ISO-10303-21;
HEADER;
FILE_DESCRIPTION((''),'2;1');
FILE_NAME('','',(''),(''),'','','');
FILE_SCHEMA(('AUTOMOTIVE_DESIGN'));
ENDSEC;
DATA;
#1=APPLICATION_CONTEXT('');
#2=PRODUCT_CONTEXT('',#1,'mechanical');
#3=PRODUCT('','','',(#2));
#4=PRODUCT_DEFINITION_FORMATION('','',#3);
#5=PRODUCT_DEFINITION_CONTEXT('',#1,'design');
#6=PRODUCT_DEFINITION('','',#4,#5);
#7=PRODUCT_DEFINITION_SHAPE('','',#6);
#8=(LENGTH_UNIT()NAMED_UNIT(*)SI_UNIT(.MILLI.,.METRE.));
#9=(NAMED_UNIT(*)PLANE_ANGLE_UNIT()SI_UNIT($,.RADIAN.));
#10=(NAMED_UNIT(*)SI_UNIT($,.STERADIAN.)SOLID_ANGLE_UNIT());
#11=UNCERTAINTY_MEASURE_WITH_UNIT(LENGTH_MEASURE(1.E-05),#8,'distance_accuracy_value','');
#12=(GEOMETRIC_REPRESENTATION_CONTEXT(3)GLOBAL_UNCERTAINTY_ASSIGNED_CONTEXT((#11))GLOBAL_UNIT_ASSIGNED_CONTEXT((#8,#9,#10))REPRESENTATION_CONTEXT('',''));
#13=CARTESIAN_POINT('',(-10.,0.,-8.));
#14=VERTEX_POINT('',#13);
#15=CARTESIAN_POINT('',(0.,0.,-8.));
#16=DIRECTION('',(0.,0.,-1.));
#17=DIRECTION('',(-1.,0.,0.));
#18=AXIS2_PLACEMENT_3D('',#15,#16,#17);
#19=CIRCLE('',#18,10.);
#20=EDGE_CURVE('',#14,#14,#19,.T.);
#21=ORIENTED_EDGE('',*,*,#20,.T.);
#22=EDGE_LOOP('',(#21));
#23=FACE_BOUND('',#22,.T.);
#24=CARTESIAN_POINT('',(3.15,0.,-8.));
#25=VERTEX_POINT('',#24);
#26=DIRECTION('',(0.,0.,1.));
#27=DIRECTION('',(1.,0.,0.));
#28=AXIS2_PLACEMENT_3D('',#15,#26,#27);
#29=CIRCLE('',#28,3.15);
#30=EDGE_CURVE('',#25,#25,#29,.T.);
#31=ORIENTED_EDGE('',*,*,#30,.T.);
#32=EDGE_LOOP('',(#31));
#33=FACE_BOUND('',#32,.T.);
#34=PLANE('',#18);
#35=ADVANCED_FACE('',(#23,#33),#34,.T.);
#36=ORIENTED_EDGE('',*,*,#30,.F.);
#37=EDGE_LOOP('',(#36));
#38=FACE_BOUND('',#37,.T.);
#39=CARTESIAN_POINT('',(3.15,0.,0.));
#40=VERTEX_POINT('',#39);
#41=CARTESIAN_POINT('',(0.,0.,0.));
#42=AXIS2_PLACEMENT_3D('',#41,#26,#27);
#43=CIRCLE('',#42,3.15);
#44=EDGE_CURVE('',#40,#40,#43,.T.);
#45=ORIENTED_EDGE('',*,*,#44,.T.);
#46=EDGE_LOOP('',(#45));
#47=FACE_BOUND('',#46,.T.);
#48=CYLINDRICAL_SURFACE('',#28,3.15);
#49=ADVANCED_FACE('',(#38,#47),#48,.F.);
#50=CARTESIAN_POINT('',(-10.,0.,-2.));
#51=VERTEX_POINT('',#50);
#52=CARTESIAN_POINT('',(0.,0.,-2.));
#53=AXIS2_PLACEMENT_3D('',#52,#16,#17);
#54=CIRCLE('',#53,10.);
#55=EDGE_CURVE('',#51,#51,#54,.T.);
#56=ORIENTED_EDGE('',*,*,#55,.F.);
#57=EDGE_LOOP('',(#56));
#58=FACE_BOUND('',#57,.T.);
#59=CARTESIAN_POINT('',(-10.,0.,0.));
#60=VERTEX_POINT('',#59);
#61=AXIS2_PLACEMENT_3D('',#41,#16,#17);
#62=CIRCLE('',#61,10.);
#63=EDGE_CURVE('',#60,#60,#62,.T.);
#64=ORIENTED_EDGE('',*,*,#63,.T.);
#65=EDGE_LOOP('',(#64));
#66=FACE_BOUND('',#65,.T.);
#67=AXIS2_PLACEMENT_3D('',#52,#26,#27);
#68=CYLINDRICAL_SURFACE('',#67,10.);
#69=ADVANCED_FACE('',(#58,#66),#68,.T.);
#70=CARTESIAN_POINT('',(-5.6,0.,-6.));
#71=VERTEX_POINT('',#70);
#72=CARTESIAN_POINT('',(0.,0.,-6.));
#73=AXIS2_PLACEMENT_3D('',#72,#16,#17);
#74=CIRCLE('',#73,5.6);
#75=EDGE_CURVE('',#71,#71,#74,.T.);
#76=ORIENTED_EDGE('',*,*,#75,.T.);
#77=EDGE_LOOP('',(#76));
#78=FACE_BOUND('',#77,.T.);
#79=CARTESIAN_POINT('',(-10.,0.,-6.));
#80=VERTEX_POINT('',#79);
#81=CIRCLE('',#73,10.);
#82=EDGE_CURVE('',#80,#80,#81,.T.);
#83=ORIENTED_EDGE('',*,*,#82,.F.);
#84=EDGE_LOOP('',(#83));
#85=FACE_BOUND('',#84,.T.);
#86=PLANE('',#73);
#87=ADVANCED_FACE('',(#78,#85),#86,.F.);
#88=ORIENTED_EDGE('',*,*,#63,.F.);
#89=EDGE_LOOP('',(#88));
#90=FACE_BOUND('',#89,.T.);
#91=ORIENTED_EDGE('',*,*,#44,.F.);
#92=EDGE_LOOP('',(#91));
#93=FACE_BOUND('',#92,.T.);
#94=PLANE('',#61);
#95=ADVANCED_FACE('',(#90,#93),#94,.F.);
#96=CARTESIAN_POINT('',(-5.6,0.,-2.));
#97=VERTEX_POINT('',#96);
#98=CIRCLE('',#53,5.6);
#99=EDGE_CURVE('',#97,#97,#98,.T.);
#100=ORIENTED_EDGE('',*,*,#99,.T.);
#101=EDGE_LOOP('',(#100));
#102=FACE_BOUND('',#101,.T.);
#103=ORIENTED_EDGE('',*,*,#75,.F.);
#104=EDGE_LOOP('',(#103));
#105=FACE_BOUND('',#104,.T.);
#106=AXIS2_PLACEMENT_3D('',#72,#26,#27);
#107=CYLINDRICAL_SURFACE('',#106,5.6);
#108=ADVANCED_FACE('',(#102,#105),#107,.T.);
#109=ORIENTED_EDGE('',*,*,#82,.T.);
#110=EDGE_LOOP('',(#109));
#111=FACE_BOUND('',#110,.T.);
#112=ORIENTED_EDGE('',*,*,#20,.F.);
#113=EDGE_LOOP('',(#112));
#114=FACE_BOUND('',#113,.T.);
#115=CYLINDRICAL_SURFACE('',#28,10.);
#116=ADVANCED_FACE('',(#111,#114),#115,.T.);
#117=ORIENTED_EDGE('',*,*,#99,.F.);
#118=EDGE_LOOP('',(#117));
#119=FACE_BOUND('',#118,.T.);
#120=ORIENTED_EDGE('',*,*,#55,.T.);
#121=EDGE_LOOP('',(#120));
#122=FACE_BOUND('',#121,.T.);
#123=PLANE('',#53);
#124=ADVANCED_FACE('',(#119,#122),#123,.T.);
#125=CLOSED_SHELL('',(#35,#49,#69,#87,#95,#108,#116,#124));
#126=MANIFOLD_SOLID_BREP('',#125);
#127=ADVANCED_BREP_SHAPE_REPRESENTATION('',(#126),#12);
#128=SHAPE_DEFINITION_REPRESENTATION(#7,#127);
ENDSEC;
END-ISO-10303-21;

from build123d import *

# Parameters (mm, degrees)
BOSS_EXTRUDE1_DEPTH = 7
SKETCH2_R           = 1.35
CUT_EXTRUDE1_DEPTH  = 1.7
SKETCH3_R           = 10
BOSS_EXTRUDE2_DEPTH = 2
SKETCH4_R           = 5.6
BOSS_EXTRUDE3_DEPTH = 4
SKETCH5_R           = 10
BOSS_EXTRUDE4_DEPTH = 2
SKETCH6_R           = 3.15
CUT_EXTRUDE2_DEPTH  = 17.248076809
SKETCH7_R           = 17.649258726
CUT_EXTRUDE3_DEPTH  = 7


with BuildPart() as part:
    # Sketch1 → Boss-Extrude1 (new body)
    with BuildSketch(Plane.XY):
        with BuildLine():
            Line((-5, 0), (-5, -8))
            Line((-5, -8), (5, -8))
            Line((5, -8), (5, 0))
            ThreePointArc((5, 0), (0, 5), (-5, 0))
        make_face()
        with BuildLine():
            Line((-3.5, -6.3), (-3.5, -2.3))
            Line((-3.5, -2.3), (-1.926136028, -2.3))
            ThreePointArc((-1.926136028, -2.3), (-1.269171366, 2.718309041), (3, 0))
            ThreePointArc((3, 0), (2.718309041, -1.269171366), (1.926136028, -2.3))
            Line((1.926136028, -2.3), (3.5, -2.3))
            Line((3.5, -2.3), (3.5, -6.3))
            Line((3.5, -6.3), (-3.5, -6.3))
        make_face(mode=Mode.SUBTRACT)
    extrude(amount=BOSS_EXTRUDE1_DEPTH)

    # Sketch2 → Cut-Extrude1 (cut)
    with BuildSketch(Plane.XZ.offset(8)):
        with Locations(Location((0, 4, 0), (0, 0, 270))):
            Circle(SKETCH2_R)
    extrude(amount=-CUT_EXTRUDE1_DEPTH, mode=Mode.SUBTRACT)

    # Sketch3 → Boss-Extrude2 (add)
    with BuildSketch(Plane(origin=(0, 0, 0), x_dir=(-1, 0, 0), z_dir=(0, 0, -1))):
        Circle(SKETCH3_R)
    extrude(amount=BOSS_EXTRUDE2_DEPTH)

    # Sketch4 → Boss-Extrude3 (add)
    with BuildSketch(Plane(origin=(0, 0, -2), x_dir=(-1, 0, 0), z_dir=(0, 0, -1))):
        Circle(SKETCH4_R)
    extrude(amount=BOSS_EXTRUDE3_DEPTH)

    # Sketch5 → Boss-Extrude4 (add)
    with BuildSketch(Plane(origin=(0, 0, -6), x_dir=(-1, 0, 0), z_dir=(0, 0, -1))):
        Circle(SKETCH5_R)
    extrude(amount=BOSS_EXTRUDE4_DEPTH)

    # Sketch6 → Cut-Extrude2 (cut, through all)
    with BuildSketch(Plane.XY):
        Circle(SKETCH6_R)
    extrude(amount=-CUT_EXTRUDE2_DEPTH, mode=Mode.SUBTRACT)

    # Sketch7 → Cut-Extrude3 (cut)
    with BuildSketch(Plane.XY.offset(7)):
        Circle(SKETCH7_R)
    extrude(amount=-CUT_EXTRUDE3_DEPTH, mode=Mode.SUBTRACT)


solid = part.part
